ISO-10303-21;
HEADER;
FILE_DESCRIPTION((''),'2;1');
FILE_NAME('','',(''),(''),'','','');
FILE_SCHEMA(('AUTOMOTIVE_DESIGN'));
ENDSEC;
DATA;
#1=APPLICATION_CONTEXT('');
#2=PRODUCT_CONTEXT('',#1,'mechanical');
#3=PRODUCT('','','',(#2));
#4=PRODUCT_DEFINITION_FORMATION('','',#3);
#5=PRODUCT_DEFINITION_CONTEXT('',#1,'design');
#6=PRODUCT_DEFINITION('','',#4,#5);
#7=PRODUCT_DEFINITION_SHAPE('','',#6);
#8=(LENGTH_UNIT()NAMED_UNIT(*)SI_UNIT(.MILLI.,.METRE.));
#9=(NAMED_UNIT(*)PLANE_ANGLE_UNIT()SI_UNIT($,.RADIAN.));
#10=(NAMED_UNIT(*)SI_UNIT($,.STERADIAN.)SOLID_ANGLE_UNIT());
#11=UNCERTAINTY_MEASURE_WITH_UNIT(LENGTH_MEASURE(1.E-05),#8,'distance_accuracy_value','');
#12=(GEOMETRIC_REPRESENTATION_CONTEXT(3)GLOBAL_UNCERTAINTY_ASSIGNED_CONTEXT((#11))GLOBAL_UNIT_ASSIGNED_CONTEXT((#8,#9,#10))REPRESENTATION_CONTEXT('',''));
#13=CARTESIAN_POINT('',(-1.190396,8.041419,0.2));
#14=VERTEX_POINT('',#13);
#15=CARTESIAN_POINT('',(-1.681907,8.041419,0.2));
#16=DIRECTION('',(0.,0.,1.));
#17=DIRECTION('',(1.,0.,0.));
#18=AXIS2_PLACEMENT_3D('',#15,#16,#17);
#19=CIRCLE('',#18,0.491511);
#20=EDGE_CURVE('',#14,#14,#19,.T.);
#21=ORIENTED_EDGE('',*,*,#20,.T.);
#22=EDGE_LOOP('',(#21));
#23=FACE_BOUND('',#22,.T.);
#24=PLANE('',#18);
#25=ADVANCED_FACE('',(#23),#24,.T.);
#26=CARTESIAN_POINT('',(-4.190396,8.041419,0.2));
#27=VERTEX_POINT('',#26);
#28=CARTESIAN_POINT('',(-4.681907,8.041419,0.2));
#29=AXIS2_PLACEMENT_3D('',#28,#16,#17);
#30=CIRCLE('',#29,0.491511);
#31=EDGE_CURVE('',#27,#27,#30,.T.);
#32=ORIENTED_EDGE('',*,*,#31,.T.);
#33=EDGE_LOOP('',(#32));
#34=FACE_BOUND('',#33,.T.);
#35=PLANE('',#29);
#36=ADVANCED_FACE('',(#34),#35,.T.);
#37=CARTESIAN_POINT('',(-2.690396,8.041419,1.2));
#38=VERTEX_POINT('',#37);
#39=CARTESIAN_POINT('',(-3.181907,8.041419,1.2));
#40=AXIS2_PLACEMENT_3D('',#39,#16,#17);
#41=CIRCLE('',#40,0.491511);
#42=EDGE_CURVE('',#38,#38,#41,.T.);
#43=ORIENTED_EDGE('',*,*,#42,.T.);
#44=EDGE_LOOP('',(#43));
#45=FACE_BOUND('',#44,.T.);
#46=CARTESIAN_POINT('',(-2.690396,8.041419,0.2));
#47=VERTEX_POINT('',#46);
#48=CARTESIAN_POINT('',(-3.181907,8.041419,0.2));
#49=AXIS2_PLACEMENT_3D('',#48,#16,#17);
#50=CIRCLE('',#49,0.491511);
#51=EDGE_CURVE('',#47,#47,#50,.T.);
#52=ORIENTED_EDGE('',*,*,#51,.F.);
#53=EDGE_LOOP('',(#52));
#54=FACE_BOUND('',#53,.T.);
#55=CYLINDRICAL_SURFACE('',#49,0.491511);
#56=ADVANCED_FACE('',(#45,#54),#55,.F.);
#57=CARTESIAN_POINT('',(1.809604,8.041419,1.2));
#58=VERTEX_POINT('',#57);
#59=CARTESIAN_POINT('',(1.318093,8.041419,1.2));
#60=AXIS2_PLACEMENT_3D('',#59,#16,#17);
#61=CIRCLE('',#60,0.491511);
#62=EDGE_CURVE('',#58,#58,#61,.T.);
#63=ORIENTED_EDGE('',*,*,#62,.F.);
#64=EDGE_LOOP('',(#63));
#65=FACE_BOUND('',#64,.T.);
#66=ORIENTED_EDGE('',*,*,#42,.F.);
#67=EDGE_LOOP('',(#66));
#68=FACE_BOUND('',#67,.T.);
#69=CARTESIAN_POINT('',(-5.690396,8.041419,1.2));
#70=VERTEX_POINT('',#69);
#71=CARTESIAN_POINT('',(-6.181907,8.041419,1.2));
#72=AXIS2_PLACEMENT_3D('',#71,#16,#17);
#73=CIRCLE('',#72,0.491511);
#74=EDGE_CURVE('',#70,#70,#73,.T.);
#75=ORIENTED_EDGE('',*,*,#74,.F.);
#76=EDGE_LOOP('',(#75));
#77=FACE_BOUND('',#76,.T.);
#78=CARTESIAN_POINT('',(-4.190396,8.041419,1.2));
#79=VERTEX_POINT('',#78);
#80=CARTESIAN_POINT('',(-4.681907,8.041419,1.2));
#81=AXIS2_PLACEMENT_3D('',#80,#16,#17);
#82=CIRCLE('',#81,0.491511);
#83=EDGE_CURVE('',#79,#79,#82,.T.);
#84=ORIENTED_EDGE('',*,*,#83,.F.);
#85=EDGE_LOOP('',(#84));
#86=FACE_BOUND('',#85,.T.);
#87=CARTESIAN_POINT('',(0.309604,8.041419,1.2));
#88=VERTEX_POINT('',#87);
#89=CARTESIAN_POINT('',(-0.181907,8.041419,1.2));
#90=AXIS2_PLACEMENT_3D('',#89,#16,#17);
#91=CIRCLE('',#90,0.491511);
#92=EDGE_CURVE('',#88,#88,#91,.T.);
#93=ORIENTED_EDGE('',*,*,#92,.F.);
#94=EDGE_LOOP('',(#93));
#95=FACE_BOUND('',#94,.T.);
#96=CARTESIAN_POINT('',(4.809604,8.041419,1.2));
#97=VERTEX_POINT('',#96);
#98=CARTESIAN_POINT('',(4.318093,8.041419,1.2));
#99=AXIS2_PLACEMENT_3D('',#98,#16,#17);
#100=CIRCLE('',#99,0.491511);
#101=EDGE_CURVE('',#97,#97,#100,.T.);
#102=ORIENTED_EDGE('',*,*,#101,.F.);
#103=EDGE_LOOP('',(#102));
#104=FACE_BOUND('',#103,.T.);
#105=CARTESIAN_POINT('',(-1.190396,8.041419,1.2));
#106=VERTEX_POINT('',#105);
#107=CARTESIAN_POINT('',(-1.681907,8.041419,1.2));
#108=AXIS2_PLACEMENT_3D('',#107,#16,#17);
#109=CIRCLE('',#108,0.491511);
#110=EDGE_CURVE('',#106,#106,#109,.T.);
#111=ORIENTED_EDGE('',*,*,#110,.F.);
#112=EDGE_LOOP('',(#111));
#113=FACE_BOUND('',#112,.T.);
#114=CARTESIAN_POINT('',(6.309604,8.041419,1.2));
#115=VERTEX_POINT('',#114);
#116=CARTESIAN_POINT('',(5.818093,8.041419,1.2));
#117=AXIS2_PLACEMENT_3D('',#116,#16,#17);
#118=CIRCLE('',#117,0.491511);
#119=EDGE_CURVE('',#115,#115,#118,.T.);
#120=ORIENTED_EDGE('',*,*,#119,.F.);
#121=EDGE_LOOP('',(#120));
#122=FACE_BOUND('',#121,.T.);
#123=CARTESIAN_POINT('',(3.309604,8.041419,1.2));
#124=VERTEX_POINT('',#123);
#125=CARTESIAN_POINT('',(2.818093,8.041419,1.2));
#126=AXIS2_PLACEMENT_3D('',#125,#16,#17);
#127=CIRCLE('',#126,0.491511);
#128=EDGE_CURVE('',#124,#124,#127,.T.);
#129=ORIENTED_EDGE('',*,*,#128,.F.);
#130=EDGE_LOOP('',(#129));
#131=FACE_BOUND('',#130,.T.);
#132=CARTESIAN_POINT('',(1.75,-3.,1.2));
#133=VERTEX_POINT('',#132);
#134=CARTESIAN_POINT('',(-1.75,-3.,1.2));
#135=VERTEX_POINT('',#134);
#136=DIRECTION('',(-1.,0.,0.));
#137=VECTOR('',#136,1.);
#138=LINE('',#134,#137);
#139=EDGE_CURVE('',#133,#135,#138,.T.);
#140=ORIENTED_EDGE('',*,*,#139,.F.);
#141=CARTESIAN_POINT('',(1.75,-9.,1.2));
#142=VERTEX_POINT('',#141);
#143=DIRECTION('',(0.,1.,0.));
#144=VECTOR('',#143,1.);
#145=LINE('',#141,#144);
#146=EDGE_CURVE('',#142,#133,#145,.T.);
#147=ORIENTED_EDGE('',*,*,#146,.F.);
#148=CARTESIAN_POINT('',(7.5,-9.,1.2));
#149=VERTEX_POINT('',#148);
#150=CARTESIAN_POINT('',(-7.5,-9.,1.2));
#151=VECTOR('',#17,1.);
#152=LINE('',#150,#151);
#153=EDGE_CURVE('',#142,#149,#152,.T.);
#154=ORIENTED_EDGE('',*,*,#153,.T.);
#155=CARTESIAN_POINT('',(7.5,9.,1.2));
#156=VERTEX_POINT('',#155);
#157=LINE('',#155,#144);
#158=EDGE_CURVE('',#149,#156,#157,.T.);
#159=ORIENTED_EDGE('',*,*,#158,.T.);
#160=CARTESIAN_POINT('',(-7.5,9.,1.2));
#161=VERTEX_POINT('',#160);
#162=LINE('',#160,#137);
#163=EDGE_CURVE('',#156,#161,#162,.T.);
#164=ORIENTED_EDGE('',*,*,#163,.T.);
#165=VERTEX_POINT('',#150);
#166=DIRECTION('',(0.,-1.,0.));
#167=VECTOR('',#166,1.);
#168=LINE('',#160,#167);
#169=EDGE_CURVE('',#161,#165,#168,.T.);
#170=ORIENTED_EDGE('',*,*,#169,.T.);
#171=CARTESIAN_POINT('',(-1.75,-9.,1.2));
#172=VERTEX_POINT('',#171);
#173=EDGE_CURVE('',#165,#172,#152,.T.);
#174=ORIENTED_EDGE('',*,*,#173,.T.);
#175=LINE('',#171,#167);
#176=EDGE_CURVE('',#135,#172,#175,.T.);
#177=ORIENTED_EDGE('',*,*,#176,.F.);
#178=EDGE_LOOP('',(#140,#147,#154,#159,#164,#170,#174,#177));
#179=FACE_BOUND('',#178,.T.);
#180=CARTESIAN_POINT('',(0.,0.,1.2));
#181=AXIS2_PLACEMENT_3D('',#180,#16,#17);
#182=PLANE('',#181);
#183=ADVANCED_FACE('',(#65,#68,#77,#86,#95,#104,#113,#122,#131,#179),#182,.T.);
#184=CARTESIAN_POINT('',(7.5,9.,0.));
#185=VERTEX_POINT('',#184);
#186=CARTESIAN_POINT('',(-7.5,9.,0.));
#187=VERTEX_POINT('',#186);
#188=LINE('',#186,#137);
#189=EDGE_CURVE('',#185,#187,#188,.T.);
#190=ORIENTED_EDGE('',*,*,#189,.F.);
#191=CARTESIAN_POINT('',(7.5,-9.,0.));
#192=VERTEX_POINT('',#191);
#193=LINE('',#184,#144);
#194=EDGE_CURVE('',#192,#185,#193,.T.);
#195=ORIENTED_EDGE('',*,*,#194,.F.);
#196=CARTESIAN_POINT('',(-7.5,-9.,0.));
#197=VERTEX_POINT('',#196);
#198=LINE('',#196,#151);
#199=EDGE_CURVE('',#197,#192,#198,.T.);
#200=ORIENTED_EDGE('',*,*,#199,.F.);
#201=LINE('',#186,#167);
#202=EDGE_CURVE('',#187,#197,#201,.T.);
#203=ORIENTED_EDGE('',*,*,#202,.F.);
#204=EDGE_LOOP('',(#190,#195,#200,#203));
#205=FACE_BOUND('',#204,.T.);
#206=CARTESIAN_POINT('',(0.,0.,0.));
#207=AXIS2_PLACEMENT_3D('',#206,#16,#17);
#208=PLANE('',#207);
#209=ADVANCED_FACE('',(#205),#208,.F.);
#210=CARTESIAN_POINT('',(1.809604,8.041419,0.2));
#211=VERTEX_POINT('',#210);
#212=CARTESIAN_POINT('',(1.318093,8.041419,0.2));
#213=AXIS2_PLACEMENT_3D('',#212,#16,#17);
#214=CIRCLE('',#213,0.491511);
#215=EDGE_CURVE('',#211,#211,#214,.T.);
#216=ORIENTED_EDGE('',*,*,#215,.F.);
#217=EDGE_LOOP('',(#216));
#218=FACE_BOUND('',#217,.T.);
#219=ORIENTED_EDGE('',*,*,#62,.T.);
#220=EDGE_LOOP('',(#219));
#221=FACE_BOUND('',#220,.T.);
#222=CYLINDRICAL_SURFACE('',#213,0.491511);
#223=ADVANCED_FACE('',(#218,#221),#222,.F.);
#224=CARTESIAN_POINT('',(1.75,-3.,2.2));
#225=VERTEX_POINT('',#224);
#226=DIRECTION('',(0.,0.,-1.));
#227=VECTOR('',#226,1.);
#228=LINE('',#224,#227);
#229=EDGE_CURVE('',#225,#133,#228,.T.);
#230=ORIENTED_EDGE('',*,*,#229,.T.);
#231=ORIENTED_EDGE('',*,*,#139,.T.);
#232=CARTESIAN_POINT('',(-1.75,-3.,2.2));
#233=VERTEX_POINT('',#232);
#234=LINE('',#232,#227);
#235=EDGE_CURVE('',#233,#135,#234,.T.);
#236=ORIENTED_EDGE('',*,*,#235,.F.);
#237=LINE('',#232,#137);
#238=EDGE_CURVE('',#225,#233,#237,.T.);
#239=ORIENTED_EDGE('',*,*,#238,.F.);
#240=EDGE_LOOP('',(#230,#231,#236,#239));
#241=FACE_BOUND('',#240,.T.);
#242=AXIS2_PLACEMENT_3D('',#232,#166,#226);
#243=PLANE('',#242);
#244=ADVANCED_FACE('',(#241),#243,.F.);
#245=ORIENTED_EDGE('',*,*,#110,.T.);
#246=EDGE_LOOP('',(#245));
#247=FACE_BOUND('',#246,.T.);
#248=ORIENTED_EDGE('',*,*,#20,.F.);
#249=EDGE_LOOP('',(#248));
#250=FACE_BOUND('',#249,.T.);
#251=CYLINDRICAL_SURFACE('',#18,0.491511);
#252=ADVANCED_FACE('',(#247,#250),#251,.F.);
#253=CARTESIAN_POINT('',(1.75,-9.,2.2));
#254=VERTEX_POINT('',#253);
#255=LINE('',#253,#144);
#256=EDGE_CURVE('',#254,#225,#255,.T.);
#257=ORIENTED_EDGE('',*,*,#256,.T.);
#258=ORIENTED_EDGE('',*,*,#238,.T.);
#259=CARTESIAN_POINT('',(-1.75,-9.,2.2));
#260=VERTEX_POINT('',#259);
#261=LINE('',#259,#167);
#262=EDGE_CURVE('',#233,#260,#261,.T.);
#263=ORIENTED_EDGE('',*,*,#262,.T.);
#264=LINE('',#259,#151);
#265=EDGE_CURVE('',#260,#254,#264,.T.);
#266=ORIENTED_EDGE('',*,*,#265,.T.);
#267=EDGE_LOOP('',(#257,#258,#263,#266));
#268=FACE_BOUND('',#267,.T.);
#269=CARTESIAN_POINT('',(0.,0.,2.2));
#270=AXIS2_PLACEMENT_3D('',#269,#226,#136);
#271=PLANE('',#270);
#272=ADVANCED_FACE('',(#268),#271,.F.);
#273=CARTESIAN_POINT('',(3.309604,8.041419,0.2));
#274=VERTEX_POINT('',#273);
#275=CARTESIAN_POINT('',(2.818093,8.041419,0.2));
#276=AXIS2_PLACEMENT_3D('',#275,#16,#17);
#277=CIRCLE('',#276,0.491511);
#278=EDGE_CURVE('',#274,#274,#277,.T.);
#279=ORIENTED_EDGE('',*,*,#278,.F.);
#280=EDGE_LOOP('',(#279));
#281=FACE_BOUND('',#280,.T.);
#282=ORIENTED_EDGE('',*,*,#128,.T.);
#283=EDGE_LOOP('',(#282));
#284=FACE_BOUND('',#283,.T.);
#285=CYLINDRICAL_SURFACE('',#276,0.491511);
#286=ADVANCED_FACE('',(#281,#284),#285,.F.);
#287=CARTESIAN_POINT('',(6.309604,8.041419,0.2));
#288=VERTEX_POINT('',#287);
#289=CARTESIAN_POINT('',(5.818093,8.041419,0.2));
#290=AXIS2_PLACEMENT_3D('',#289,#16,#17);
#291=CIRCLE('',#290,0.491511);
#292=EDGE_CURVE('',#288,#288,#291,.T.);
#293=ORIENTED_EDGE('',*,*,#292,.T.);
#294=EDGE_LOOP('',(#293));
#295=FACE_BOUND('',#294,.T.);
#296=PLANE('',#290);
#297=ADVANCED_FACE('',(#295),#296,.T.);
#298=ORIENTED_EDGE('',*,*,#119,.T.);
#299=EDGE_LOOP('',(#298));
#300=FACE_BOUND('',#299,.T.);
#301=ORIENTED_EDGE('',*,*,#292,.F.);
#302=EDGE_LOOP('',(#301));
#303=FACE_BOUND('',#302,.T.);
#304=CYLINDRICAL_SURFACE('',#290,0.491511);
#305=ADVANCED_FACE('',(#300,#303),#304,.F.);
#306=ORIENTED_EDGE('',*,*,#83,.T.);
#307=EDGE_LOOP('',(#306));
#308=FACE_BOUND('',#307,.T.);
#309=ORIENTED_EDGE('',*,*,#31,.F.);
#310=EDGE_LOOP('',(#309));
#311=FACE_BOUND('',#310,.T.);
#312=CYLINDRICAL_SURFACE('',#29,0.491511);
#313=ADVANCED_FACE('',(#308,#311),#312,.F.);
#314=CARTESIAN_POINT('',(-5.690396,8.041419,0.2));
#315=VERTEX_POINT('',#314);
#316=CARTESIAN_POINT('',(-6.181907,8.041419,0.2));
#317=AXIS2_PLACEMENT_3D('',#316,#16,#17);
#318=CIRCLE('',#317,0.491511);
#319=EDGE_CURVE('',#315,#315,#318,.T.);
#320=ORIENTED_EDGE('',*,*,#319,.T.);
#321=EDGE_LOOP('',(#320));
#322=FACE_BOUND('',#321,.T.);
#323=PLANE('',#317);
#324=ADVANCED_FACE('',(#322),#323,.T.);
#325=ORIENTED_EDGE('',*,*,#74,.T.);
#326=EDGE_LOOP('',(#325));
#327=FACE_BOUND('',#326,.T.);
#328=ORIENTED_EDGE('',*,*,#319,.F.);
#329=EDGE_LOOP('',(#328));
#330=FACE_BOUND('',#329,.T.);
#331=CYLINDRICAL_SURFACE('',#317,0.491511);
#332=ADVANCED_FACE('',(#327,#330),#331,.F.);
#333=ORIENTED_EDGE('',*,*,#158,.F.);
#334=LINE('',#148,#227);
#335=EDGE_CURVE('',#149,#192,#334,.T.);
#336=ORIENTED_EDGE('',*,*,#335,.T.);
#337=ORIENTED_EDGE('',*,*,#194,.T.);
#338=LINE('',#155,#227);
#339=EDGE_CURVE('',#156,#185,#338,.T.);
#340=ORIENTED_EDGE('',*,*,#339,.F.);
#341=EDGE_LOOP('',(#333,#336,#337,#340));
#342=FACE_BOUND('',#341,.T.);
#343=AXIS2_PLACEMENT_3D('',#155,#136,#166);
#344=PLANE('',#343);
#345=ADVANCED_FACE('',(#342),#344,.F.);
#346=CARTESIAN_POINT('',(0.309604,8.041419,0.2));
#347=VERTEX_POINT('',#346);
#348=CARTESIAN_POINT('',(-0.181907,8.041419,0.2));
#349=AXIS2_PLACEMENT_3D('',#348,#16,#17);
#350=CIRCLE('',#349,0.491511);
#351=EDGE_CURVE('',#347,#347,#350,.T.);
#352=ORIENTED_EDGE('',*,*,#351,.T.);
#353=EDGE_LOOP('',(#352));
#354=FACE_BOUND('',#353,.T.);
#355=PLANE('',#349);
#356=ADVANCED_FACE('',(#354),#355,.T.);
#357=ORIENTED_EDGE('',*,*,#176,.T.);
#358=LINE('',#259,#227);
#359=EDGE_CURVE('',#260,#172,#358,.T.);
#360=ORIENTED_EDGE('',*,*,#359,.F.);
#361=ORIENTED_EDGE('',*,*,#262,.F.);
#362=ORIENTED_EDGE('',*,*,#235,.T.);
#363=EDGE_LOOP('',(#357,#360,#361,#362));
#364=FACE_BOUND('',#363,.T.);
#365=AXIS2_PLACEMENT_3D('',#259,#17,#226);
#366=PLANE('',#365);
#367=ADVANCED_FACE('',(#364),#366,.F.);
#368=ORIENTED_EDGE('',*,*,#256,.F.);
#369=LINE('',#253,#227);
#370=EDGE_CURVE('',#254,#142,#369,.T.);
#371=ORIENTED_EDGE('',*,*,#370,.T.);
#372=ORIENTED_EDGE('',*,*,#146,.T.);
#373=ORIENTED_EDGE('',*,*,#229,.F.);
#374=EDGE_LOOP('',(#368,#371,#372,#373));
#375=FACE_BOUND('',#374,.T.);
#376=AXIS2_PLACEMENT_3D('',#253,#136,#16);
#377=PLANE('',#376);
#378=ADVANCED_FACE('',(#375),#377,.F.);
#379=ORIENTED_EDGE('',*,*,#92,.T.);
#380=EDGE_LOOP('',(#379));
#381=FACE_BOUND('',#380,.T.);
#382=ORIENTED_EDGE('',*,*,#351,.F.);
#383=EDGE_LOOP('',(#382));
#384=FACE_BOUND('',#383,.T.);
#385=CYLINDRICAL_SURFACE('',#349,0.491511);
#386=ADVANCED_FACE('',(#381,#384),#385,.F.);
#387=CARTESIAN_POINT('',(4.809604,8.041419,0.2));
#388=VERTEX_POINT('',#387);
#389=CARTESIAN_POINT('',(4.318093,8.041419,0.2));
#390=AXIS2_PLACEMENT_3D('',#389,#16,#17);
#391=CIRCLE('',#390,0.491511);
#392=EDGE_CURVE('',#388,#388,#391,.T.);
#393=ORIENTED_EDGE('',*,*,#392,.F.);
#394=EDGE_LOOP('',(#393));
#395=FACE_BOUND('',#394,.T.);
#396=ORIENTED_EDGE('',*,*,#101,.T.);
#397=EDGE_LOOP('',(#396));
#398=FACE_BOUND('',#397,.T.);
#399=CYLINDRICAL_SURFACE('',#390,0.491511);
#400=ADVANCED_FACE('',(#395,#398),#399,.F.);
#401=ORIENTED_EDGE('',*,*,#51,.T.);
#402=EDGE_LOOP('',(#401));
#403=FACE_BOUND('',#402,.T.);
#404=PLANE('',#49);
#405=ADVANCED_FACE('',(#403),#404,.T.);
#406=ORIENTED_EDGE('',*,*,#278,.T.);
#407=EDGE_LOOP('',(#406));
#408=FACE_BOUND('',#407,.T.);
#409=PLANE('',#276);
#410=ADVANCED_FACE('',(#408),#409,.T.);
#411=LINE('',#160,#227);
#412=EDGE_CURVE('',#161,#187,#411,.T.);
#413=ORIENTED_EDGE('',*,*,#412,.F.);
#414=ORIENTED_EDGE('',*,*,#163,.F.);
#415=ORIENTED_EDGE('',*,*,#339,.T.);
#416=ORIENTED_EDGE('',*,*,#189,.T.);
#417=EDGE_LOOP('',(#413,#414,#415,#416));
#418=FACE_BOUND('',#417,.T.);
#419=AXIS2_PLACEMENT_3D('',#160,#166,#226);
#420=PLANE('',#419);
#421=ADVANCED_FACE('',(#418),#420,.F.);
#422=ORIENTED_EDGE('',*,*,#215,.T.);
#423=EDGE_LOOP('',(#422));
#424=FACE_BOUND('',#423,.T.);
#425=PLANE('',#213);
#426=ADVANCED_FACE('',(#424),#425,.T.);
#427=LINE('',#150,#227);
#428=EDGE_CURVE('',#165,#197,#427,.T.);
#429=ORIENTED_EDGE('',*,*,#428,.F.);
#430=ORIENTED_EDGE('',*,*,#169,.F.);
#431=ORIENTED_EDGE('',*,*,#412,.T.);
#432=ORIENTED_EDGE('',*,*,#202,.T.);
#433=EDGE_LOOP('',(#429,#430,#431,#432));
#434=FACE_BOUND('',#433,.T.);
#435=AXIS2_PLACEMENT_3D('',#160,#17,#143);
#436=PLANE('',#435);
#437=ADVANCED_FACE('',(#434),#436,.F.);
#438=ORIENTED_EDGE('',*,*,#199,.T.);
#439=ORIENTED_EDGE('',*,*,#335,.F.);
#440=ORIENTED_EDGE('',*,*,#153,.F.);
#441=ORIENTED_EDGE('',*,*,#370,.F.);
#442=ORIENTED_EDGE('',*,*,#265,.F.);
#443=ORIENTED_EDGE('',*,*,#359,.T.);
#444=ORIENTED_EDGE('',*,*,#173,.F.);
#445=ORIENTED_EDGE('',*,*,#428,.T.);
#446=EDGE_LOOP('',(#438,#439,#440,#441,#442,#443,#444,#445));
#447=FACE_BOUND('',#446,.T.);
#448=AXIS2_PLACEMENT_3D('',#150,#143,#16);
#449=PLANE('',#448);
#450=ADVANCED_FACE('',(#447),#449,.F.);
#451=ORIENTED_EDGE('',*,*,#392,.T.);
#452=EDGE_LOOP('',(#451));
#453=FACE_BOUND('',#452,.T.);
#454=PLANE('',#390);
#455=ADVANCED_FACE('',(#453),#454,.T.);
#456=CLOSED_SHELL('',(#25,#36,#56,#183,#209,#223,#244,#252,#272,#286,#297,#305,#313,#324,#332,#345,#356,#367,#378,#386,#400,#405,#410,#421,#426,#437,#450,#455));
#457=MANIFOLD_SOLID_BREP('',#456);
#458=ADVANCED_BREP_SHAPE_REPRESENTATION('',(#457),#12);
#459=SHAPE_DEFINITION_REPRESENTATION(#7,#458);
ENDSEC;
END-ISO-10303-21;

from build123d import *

# Parameters (mm, degrees)
SKETCH1_W           = 15
SKETCH1_H           = 18
BOSS_EXTRUDE1_DEPTH = 1.2
SKETCH2_W           = 3.5
SKETCH2_H           = 6
BOSS_EXTRUDE2_DEPTH = 1
SKETCH3_R           = 0.491511221
CUT_EXTRUDE1_DEPTH  = 1


with BuildPart() as part:
    # Sketch1 → Boss-Extrude1 (new body)
    with BuildSketch(Plane.XY):
        Rectangle(SKETCH1_W, SKETCH1_H)
    extrude(amount=BOSS_EXTRUDE1_DEPTH)

    # Sketch2 → Boss-Extrude2 (add)
    with BuildSketch(Plane.XY.offset(1.2)):
        with Locations((0, -6)):
            Rectangle(SKETCH2_W, SKETCH2_H)
    extrude(amount=BOSS_EXTRUDE2_DEPTH)

    # Sketch3 → Cut-Extrude1 (cut)
    with BuildSketch(Plane.XY.offset(1.2)):
        with Locations((-6.181907245, 8.041418738)):
            Circle(SKETCH3_R)
        with Locations((-4.681907245, 8.041418738)):
            Circle(SKETCH3_R)
        with Locations((-3.181907245, 8.041418738)):
            Circle(SKETCH3_R)
        with Locations((-1.681907245, 8.041418738)):
            Circle(SKETCH3_R)
        with Locations((-0.181907245, 8.041418738)):
            Circle(SKETCH3_R)
        with Locations((1.318092755, 8.041418738)):
            Circle(SKETCH3_R)
        with Locations((2.818092755, 8.041418738)):
            Circle(SKETCH3_R)
        with Locations((4.318092755, 8.041418738)):
            Circle(SKETCH3_R)
        with Locations((5.818092755, 8.041418738)):
            Circle(SKETCH3_R)
    extrude(amount=-CUT_EXTRUDE1_DEPTH, mode=Mode.SUBTRACT)


solid = part.part
